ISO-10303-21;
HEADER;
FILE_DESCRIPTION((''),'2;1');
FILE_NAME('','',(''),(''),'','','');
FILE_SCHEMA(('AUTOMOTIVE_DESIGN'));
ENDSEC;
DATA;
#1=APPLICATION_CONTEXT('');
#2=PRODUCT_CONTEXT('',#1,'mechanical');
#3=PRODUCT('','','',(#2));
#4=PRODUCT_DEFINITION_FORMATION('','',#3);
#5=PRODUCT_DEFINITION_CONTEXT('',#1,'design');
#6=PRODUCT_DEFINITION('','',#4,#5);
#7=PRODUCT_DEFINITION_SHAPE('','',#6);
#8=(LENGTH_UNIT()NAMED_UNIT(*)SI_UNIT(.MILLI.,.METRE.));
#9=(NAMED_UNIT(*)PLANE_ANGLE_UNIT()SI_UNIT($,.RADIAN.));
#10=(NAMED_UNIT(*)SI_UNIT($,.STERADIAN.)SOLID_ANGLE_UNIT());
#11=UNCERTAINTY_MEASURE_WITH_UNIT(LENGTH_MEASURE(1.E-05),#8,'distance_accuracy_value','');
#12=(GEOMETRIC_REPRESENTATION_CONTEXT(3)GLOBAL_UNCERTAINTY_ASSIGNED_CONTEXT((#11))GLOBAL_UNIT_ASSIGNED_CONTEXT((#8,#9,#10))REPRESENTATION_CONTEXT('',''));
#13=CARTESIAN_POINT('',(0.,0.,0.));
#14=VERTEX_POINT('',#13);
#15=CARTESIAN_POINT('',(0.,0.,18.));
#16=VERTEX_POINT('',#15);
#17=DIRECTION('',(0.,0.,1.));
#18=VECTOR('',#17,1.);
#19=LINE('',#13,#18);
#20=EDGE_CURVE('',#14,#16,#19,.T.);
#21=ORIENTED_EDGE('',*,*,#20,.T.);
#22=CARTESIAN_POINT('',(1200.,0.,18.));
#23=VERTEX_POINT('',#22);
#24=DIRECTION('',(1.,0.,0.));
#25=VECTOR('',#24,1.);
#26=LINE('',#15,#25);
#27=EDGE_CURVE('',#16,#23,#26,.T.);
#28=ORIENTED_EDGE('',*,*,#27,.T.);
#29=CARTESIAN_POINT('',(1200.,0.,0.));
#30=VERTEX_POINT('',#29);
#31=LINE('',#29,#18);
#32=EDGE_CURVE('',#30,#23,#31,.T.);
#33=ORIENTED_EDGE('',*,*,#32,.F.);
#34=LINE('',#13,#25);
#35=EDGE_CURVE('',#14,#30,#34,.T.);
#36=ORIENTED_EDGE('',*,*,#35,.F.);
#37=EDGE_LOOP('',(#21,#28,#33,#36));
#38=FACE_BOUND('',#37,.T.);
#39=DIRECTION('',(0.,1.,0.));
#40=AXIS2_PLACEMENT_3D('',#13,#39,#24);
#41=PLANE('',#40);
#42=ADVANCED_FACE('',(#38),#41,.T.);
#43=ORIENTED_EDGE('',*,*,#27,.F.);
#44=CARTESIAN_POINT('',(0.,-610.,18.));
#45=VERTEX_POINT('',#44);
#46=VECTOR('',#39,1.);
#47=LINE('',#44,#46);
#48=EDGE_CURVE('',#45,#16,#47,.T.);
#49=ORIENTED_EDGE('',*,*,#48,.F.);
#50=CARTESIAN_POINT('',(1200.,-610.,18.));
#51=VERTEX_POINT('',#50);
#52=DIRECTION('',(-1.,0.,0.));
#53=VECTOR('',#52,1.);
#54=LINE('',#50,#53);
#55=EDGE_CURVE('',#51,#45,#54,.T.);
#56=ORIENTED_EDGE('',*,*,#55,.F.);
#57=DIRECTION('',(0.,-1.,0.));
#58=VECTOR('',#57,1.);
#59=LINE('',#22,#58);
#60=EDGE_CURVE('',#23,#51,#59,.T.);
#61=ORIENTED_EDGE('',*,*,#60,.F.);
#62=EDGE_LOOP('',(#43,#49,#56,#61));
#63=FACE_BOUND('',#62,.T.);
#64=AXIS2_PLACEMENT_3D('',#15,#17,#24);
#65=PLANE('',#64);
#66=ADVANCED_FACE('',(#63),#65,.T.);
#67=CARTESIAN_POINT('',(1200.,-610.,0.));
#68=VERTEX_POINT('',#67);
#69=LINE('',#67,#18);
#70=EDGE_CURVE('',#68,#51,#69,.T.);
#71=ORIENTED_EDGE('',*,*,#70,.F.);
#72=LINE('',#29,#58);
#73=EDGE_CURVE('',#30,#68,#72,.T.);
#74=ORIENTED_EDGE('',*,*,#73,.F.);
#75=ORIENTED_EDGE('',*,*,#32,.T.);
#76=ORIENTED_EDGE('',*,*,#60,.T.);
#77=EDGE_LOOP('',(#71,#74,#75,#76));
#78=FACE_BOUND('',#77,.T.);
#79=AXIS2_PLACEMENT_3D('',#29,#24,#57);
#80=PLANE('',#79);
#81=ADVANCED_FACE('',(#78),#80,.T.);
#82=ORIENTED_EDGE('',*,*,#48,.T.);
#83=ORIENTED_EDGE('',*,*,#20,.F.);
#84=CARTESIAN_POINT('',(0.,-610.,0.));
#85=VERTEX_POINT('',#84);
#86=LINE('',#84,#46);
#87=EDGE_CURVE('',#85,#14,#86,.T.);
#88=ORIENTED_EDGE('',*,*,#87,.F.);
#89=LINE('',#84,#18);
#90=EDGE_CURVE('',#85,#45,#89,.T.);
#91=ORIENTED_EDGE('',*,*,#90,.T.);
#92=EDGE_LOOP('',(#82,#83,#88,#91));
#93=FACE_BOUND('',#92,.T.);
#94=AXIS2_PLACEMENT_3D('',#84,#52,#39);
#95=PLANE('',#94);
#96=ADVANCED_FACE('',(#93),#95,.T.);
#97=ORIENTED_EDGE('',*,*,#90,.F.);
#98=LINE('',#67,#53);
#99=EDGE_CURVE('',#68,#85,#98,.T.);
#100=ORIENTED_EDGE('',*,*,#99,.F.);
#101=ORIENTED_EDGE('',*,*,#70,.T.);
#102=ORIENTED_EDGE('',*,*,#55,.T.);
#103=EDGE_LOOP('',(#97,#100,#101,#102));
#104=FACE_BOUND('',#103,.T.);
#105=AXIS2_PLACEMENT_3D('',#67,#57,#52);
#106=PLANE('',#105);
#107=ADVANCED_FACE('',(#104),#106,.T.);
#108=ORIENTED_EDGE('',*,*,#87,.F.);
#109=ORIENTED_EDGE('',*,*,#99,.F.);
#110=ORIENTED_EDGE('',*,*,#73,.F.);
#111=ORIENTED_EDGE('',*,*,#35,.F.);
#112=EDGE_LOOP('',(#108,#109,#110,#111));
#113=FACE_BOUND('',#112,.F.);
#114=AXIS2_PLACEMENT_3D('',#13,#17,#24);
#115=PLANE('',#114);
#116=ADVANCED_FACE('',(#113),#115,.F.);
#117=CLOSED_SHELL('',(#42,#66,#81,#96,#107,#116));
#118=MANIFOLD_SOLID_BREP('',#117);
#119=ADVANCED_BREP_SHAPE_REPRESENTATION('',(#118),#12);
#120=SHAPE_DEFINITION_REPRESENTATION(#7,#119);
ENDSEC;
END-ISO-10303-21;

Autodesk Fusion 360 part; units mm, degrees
sketch "Sketch1" plane through (0, 0, 0) normal (0, 0, 1) x (1, 0, 0)
  line L0 (50.1556, -434.7837) -> (50.1556, -539.8131)
  line L1 (66.9337, -559.4908) -> (52.2058, -544.7629)
  arc A0 (50.1556, -539.8131) -> (52.2058, -544.7629) centre (57.1556, -539.8131) ccw construction
  arc A1 (51.62, -431.2482) -> (50.1556, -434.7837) centre (55.1556, -434.7837) ccw construction
  line L2 (67.2266, -415.6416) -> (51.62, -431.2482) construction
  line L3 (50.1556, -434.7837) -> (50.1556, -539.8131) construction
  line L4 (67.2266, -559.7837) -> (52.2058, -544.7629) construction
  arc A2 (50.1556, -539.8131) -> (52.2058, -544.7629) centre (57.1556, -539.8131) ccw
  arc A3 (51.62, -431.2482) -> (50.1556, -434.7837) centre (55.1556, -434.7837) ccw
  line L5 (66.9337, -415.9345) -> (51.62, -431.2482)
  line L6 (70.1556, -415.6416) -> (70.1556, -559.7837)
  line L7 (67.6408, -559.7837) -> (70.1556, -559.7837)
  arc A4 (66.9337, -559.4908) -> (67.6408, -559.7837) centre (67.6408, -558.7837) ccw
  line L8 (67.6408, -415.6416) -> (70.1556, -415.6416)
  arc A5 (67.6408, -415.6416) -> (66.9337, -415.9345) centre (67.6408, -416.6416) ccw
  line L9 (0, 0) -> (1200, 0)
  line L10 (1200, 0) -> (1200, -610)
  line L11 (1200, -610) -> (0, -610)
  line L12 (0, -610) -> (0, 0)
  line L13 (178.8438, -1361.7664) -> (743.8334, -1361.7664)
  arc A6 (178.8438, -1361.7664) -> (155.3514, -1378.2159) centre (178.8438, -1386.7664) ccw
  line L14 (155.3514, -1378.2159) -> (121.3018, -1471.7664)
  line L15 (121.3018, -1471.7664) -> (801.3753, -1471.7664)
  line L16 (767.3257, -1378.2159) -> (801.3753, -1471.7664)
  arc A7 (767.3257, -1378.2159) -> (743.8334, -1361.7664) centre (743.8334, -1386.7664) ccw
  arc A8 (51.62, -231.2482) -> (50.1556, -234.7837) centre (55.1556, -234.7837) ccw
  line L17 (66.9337, -215.9345) -> (51.62, -231.2482)
  line L18 (67.2266, -359.7837) -> (52.2058, -344.7629) construction
  line L19 (67.6408, -215.6416) -> (70.1556, -215.6416)
  line L20 (67.6408, -359.7837) -> (70.1556, -359.7837)
  line L21 (67.2266, -215.6416) -> (51.62, -231.2482) construction
  arc A9 (66.9337, -359.4908) -> (67.6408, -359.7837) centre (67.6408, -358.7837) ccw
  line L22 (70.1556, -215.6416) -> (70.1556, -359.7837)
  arc A10 (50.1556, -339.8131) -> (52.2058, -344.7629) centre (57.1556, -339.8131) ccw
  arc A11 (67.6408, -215.6416) -> (66.9337, -215.9345) centre (67.6408, -216.6416) ccw
  line L23 (50.1556, -234.7837) -> (50.1556, -339.8131)
  line L24 (50.1556, -234.7837) -> (50.1556, -339.8131) construction
  arc A12 (51.62, -231.2482) -> (50.1556, -234.7837) centre (55.1556, -234.7837) ccw construction
  line L25 (66.9337, -359.4908) -> (52.2058, -344.7629)
  arc A13 (50.1556, -339.8131) -> (52.2058, -344.7629) centre (57.1556, -339.8131) ccw construction
  dimension "d269" = 7
  dimension "d270" = 5
  dimension "d5" = 7
  dimension "d6" = 5
  dimension "d9" = 1
  dimension "d10" = 1
  dimension "d11" = 1200
  dimension "d12" = 610
  dimension "d250" = 25
  dimension "d251" = 25
  dimension "d15" = 7
  dimension "d16" = 5
  dimension "d17" = 7
  dimension "d18" = 5
  dimension "d19" = 1
  dimension "d20" = 1
extrude "Extrude1" add sketch "Sketch1" along normal blind 18 contours L0 L1 A2 A3 L5 L6 L7 A4 L8 A5 | L9 L10 L11 L12 | A8 L17 L19 L20 A9 L22 A10 A11 L23 L25
